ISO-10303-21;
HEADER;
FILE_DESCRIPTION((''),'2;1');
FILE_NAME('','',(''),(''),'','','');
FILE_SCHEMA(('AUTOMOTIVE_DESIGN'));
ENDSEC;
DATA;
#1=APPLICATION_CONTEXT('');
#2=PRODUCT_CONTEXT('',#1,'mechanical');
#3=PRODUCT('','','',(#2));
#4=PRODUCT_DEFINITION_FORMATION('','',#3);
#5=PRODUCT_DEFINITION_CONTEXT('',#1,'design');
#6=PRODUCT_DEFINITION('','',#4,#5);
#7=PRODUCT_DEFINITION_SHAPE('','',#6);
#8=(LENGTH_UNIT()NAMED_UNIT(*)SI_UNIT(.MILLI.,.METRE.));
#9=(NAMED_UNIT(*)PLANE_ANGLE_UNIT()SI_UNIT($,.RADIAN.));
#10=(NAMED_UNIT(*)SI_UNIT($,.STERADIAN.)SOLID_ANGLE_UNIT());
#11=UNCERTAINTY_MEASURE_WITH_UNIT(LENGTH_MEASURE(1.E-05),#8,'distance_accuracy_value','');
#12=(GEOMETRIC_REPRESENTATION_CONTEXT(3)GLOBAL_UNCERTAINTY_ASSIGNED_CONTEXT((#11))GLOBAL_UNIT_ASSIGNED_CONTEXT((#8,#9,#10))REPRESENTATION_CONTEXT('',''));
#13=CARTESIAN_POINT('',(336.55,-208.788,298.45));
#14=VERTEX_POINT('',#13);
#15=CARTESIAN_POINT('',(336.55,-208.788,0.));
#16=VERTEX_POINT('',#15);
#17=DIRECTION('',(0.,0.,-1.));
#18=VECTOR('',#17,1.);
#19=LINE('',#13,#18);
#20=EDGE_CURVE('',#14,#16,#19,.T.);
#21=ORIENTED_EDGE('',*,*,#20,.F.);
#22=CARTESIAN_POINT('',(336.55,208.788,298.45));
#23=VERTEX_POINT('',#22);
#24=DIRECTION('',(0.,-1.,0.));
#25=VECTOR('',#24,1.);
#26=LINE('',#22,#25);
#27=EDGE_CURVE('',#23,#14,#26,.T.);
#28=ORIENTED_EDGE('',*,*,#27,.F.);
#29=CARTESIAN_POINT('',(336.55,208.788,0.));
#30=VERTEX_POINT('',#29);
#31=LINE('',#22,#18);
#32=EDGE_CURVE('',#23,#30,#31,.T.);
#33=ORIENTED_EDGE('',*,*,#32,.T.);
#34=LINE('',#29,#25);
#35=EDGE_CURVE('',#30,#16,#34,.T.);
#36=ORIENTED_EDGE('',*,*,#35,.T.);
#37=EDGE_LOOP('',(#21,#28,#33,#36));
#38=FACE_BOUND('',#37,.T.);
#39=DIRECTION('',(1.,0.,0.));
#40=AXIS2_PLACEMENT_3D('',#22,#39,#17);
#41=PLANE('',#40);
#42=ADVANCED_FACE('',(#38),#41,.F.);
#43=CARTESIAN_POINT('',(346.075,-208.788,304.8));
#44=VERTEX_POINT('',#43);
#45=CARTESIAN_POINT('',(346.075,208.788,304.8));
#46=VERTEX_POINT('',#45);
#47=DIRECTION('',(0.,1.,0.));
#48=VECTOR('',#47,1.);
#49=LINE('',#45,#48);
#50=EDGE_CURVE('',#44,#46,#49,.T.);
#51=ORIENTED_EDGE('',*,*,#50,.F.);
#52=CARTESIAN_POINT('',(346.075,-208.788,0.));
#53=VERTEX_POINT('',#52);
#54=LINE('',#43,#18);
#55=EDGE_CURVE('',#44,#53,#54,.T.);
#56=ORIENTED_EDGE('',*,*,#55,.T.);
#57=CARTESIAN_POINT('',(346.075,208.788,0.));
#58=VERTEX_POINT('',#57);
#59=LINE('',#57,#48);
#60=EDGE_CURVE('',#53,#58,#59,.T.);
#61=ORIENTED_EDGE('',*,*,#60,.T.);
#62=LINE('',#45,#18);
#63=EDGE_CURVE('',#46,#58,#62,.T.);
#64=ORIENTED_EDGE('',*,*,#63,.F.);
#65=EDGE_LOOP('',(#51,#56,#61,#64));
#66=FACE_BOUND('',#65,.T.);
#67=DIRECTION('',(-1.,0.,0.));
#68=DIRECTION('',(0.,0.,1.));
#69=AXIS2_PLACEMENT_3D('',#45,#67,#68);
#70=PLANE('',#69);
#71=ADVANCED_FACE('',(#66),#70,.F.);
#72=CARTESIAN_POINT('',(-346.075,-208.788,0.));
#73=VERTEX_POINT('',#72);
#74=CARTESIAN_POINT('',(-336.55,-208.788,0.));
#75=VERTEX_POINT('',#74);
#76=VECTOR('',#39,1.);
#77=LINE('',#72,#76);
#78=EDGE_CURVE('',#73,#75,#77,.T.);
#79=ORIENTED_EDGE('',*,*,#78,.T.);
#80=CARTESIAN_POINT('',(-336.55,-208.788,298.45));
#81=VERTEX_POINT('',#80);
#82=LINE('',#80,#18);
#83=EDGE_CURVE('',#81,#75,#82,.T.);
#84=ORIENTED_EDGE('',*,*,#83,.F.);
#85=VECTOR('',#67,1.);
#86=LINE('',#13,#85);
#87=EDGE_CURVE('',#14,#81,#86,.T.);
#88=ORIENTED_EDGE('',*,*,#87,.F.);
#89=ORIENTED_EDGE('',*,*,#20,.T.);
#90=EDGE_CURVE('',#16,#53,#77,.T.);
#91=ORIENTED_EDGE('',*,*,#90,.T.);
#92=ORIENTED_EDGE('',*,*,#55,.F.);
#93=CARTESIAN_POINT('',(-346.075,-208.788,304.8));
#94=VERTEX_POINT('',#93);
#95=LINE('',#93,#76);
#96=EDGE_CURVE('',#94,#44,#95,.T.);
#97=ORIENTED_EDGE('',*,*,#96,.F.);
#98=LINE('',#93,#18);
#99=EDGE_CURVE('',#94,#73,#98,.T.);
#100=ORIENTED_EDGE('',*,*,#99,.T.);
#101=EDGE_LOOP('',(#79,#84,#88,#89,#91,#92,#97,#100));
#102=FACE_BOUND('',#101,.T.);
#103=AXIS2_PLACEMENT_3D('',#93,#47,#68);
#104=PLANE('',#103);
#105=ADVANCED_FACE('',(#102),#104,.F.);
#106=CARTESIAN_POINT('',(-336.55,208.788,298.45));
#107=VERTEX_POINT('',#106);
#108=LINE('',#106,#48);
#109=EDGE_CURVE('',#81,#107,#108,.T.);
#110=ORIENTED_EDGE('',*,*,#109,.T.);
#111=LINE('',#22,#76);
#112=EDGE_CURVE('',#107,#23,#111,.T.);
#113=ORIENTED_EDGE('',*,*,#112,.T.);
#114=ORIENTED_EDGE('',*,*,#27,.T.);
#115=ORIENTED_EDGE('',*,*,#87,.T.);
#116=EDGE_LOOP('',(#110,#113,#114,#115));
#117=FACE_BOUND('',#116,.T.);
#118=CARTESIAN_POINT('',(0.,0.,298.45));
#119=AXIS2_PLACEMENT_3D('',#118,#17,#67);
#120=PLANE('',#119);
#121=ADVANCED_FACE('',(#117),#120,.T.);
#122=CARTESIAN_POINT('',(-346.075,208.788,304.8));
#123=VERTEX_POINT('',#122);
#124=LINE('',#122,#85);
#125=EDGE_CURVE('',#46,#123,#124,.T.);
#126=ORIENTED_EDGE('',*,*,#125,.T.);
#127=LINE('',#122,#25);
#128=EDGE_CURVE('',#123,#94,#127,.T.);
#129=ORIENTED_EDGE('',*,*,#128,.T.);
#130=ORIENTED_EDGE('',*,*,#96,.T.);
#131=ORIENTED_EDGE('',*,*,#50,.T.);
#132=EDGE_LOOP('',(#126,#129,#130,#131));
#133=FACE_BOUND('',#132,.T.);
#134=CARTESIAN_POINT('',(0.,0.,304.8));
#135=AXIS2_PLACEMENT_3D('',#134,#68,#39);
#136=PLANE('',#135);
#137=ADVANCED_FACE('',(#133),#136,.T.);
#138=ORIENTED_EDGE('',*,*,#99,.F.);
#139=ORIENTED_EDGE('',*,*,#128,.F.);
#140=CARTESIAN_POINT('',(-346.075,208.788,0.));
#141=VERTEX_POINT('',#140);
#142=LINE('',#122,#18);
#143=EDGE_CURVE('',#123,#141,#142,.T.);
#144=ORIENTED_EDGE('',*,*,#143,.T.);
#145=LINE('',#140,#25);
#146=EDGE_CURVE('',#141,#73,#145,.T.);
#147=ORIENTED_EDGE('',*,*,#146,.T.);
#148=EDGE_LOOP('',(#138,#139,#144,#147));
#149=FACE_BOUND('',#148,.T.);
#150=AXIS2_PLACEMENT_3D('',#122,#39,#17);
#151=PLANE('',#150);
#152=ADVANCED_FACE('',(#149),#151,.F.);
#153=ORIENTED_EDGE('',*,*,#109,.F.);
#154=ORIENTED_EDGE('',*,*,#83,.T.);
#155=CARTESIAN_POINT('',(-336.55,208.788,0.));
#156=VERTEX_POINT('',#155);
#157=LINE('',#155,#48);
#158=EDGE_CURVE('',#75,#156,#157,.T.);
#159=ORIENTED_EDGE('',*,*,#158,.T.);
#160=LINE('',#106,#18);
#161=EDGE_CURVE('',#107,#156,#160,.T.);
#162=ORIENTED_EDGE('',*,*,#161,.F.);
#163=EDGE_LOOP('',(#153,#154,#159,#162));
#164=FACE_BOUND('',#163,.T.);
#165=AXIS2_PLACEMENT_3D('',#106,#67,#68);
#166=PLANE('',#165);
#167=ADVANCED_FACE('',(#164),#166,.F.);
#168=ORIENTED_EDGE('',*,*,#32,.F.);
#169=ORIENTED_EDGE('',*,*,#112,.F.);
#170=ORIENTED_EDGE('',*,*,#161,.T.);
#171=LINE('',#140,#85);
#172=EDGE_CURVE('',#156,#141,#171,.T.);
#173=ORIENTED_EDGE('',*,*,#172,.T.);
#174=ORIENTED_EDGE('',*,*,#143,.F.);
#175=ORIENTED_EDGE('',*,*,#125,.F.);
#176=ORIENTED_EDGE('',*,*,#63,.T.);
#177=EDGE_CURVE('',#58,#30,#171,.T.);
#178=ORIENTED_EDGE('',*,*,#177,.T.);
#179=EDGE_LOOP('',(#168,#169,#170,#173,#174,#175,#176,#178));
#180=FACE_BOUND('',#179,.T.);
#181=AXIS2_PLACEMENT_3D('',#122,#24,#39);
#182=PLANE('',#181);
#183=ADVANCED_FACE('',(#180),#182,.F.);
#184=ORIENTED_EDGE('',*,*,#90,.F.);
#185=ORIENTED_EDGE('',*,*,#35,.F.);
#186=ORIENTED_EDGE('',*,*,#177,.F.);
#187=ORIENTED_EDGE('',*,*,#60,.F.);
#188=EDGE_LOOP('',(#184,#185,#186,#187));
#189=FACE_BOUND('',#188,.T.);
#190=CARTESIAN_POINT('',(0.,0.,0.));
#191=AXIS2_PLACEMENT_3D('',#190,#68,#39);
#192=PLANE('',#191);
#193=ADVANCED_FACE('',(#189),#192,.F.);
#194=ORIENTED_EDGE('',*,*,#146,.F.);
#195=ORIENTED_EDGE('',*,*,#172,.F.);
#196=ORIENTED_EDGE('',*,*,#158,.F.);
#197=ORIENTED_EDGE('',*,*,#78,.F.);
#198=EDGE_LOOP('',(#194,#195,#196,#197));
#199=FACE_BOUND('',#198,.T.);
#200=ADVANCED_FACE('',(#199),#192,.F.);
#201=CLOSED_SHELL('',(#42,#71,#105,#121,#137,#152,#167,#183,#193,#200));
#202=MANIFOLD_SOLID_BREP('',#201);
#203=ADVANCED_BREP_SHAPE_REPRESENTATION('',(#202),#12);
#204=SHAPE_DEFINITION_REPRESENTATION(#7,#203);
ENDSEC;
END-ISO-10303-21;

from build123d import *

# Parameters (mm, degrees)
SKETCH1_W           = 692.15
SKETCH1_H           = 417.576
BOSS_EXTRUDE1_DEPTH = 304.8
SKETCH2_W           = 673.1
SKETCH2_H           = 417.576
CUT_EXTRUDE1_DEPTH  = 298.45


with BuildPart() as part:
    # Sketch1 → Boss-Extrude1 (new body)
    with BuildSketch(Plane.XY):
        Rectangle(SKETCH1_W, SKETCH1_H)
    extrude(amount=BOSS_EXTRUDE1_DEPTH)

    # Sketch2 → Cut-Extrude1 (cut)
    with BuildSketch(Plane(origin=(0, 0, 0), x_dir=(-1, 0, 0), z_dir=(0, 0, -1))):
        Rectangle(SKETCH2_W, SKETCH2_H)
    extrude(amount=-CUT_EXTRUDE1_DEPTH, mode=Mode.SUBTRACT)


solid = part.part
